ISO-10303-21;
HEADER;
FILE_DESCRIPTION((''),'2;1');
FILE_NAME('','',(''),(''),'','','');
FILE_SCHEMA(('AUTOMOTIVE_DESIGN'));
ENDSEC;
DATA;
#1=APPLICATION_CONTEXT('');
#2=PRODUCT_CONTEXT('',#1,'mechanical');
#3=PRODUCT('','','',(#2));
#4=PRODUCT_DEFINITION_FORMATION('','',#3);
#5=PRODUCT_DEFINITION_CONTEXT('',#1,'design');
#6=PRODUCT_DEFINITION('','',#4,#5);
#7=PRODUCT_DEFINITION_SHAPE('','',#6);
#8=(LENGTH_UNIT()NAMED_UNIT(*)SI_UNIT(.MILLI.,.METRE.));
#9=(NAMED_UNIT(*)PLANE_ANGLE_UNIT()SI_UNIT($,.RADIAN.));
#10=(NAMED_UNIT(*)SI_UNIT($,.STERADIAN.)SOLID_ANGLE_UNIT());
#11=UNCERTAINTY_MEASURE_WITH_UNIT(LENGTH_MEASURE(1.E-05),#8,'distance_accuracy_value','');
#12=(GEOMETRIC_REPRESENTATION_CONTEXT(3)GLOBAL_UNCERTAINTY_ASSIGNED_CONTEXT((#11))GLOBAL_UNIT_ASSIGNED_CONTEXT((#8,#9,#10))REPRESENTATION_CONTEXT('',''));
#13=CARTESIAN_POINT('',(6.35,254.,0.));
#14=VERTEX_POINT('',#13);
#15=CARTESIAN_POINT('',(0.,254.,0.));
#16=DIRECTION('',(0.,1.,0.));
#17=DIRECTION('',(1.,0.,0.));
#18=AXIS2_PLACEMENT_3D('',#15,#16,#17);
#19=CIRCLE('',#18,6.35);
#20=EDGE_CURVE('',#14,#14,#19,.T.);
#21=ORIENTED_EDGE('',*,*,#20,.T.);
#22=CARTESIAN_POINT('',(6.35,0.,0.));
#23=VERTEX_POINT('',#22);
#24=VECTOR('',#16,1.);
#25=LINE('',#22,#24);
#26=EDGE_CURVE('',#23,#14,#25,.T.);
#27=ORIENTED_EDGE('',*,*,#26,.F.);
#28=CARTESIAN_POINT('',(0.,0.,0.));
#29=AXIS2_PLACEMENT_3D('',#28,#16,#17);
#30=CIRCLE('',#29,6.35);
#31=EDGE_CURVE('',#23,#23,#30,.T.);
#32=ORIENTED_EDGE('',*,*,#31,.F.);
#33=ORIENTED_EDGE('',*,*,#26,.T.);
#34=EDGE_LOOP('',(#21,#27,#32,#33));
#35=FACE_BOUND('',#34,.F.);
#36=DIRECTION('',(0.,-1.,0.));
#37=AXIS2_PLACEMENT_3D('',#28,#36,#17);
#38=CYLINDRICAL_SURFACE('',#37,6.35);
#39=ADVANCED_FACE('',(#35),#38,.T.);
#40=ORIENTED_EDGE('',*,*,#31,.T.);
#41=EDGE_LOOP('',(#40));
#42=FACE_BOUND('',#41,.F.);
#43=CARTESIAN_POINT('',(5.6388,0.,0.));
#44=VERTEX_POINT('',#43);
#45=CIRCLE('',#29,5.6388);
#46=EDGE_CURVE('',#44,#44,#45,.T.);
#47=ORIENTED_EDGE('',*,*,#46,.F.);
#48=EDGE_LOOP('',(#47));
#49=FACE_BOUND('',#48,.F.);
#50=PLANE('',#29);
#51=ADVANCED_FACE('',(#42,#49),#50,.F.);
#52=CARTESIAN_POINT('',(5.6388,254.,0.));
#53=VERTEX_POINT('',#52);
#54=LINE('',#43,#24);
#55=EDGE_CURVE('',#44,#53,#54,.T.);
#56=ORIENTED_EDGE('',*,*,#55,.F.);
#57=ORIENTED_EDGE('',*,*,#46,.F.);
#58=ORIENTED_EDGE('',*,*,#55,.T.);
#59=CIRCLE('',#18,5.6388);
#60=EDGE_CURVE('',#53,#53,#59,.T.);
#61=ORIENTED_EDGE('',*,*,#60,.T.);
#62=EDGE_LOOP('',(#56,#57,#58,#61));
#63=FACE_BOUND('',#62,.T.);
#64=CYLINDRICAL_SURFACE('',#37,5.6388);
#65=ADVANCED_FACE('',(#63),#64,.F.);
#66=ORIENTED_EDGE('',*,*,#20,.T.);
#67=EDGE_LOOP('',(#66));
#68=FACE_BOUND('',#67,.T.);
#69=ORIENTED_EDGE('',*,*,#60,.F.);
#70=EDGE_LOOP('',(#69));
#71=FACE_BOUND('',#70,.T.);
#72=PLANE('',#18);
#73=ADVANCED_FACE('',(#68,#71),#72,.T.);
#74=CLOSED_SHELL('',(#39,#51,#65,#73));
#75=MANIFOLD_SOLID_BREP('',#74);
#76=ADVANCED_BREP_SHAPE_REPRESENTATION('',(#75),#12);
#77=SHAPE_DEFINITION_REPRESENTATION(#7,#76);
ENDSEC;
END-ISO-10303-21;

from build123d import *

# Parameters (mm, degrees)
SKETCH1_R           = 6.35
SKETCH1_R_2         = 5.6388
BOSS_EXTRUDE1_DEPTH = 254


with BuildPart() as part:
    # Sketch1 → Boss-Extrude1 (new body)
    with BuildSketch(Plane(origin=(0, 0, 0), x_dir=(1, 0, 0), z_dir=(0, 1, 0))):
        Circle(SKETCH1_R)
        Circle(SKETCH1_R_2, mode=Mode.SUBTRACT)
    extrude(amount=BOSS_EXTRUDE1_DEPTH)


solid = part.part
